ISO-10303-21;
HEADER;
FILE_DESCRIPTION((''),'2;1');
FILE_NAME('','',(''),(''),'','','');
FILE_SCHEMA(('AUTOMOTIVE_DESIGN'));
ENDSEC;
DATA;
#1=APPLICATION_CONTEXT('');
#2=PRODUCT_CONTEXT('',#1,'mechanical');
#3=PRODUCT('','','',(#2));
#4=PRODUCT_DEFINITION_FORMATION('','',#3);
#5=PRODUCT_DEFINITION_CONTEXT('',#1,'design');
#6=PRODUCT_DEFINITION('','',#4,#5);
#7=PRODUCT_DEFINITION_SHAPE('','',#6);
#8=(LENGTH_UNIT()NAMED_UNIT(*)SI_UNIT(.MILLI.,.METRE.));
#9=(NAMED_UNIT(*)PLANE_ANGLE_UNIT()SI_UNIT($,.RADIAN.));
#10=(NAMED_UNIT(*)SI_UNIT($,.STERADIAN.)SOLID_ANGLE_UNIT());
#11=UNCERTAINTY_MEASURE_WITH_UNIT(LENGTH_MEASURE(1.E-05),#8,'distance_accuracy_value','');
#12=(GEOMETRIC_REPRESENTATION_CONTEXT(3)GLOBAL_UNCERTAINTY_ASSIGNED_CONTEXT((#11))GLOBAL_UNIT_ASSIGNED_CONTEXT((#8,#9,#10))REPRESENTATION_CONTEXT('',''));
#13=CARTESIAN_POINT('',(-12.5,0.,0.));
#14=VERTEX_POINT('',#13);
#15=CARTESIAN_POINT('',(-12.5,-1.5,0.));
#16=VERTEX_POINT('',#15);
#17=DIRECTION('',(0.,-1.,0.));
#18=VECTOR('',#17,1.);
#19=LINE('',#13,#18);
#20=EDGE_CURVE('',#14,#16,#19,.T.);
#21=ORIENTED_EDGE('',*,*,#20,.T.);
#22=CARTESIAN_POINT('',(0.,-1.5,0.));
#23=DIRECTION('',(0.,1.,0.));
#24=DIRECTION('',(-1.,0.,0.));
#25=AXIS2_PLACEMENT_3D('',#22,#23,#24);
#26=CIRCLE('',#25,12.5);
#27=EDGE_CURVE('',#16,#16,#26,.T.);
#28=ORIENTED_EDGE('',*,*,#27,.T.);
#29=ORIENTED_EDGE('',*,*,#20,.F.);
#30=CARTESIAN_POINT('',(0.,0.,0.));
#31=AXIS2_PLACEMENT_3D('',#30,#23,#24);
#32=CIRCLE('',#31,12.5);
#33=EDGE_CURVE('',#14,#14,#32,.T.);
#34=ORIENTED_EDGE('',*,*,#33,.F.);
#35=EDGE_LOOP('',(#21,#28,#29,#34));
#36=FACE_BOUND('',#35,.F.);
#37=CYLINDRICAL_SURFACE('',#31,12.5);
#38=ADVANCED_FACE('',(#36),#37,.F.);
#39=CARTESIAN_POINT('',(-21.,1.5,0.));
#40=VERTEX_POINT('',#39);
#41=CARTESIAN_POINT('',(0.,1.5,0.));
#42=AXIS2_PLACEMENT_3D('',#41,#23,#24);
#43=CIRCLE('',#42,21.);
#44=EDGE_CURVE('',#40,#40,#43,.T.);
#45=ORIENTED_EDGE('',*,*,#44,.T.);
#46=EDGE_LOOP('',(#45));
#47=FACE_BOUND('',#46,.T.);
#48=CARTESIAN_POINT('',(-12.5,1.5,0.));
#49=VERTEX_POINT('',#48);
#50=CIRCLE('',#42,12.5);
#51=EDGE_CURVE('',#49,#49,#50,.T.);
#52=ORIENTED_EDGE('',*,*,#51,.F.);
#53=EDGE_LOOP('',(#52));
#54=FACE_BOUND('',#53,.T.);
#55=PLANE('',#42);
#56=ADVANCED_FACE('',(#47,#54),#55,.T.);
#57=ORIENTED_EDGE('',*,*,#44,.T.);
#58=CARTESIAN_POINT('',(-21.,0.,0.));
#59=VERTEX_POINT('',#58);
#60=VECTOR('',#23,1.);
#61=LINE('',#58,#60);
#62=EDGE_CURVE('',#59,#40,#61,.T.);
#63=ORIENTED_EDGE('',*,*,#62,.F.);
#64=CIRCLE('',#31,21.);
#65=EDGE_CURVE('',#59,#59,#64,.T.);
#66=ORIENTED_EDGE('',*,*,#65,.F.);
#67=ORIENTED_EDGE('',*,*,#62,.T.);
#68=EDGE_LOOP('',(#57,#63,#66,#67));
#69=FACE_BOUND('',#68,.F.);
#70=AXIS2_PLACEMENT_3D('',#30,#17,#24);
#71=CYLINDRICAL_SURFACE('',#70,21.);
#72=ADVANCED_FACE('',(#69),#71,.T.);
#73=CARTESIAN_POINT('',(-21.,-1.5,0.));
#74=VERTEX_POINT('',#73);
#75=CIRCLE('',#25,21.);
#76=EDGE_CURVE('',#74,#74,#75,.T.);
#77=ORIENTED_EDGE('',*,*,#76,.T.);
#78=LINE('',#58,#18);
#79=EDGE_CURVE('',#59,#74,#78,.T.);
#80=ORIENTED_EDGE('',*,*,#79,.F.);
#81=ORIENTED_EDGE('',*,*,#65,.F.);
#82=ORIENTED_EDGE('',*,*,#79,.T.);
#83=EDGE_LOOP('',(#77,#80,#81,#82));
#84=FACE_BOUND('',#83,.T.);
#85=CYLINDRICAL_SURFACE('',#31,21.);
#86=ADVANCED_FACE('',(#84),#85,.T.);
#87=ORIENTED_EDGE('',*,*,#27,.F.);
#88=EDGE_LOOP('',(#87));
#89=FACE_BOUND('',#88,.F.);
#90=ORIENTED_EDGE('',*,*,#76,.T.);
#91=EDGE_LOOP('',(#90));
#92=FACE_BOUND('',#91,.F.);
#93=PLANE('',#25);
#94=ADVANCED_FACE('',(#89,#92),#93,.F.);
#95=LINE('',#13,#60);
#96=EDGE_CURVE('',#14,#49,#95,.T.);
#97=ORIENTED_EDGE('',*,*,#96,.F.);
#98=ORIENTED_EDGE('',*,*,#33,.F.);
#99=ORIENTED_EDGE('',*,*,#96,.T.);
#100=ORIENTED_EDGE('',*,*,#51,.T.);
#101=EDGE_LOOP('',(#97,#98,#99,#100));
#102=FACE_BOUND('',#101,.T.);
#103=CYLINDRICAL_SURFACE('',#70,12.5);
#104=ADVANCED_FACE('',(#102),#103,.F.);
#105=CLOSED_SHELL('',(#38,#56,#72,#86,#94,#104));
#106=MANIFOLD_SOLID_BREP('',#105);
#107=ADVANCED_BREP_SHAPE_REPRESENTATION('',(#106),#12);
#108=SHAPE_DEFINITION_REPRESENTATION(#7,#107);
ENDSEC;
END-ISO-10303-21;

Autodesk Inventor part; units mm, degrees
ref_plane "YZ Plane" through (0, 0, 0) normal (1, 0, 0) x (0, 1, 0)
ref_plane "XZ Plane" through (0, 0, 0) normal (0, 1, 0) x (-1, 0, 0)
ref_plane "XY Plane" through (0, 0, 0) normal (0, 0, 1) x (1, 0, 0)
sketch "Sketch1" plane through (0, 0, 0) normal (0, 1, 0) x (-1, 0, 0)
  circle A0 centre (0, 0) radius 12.5
  circle A1 centre (0, 0) radius 21
  dimension "d0" = 25
  dimension "d1" = 42
extrude "Extrusion1" add sketch "Sketch1" along normal mid plane 3
properties part number "Rear Compression Spacer" material "Stainless Steel"
